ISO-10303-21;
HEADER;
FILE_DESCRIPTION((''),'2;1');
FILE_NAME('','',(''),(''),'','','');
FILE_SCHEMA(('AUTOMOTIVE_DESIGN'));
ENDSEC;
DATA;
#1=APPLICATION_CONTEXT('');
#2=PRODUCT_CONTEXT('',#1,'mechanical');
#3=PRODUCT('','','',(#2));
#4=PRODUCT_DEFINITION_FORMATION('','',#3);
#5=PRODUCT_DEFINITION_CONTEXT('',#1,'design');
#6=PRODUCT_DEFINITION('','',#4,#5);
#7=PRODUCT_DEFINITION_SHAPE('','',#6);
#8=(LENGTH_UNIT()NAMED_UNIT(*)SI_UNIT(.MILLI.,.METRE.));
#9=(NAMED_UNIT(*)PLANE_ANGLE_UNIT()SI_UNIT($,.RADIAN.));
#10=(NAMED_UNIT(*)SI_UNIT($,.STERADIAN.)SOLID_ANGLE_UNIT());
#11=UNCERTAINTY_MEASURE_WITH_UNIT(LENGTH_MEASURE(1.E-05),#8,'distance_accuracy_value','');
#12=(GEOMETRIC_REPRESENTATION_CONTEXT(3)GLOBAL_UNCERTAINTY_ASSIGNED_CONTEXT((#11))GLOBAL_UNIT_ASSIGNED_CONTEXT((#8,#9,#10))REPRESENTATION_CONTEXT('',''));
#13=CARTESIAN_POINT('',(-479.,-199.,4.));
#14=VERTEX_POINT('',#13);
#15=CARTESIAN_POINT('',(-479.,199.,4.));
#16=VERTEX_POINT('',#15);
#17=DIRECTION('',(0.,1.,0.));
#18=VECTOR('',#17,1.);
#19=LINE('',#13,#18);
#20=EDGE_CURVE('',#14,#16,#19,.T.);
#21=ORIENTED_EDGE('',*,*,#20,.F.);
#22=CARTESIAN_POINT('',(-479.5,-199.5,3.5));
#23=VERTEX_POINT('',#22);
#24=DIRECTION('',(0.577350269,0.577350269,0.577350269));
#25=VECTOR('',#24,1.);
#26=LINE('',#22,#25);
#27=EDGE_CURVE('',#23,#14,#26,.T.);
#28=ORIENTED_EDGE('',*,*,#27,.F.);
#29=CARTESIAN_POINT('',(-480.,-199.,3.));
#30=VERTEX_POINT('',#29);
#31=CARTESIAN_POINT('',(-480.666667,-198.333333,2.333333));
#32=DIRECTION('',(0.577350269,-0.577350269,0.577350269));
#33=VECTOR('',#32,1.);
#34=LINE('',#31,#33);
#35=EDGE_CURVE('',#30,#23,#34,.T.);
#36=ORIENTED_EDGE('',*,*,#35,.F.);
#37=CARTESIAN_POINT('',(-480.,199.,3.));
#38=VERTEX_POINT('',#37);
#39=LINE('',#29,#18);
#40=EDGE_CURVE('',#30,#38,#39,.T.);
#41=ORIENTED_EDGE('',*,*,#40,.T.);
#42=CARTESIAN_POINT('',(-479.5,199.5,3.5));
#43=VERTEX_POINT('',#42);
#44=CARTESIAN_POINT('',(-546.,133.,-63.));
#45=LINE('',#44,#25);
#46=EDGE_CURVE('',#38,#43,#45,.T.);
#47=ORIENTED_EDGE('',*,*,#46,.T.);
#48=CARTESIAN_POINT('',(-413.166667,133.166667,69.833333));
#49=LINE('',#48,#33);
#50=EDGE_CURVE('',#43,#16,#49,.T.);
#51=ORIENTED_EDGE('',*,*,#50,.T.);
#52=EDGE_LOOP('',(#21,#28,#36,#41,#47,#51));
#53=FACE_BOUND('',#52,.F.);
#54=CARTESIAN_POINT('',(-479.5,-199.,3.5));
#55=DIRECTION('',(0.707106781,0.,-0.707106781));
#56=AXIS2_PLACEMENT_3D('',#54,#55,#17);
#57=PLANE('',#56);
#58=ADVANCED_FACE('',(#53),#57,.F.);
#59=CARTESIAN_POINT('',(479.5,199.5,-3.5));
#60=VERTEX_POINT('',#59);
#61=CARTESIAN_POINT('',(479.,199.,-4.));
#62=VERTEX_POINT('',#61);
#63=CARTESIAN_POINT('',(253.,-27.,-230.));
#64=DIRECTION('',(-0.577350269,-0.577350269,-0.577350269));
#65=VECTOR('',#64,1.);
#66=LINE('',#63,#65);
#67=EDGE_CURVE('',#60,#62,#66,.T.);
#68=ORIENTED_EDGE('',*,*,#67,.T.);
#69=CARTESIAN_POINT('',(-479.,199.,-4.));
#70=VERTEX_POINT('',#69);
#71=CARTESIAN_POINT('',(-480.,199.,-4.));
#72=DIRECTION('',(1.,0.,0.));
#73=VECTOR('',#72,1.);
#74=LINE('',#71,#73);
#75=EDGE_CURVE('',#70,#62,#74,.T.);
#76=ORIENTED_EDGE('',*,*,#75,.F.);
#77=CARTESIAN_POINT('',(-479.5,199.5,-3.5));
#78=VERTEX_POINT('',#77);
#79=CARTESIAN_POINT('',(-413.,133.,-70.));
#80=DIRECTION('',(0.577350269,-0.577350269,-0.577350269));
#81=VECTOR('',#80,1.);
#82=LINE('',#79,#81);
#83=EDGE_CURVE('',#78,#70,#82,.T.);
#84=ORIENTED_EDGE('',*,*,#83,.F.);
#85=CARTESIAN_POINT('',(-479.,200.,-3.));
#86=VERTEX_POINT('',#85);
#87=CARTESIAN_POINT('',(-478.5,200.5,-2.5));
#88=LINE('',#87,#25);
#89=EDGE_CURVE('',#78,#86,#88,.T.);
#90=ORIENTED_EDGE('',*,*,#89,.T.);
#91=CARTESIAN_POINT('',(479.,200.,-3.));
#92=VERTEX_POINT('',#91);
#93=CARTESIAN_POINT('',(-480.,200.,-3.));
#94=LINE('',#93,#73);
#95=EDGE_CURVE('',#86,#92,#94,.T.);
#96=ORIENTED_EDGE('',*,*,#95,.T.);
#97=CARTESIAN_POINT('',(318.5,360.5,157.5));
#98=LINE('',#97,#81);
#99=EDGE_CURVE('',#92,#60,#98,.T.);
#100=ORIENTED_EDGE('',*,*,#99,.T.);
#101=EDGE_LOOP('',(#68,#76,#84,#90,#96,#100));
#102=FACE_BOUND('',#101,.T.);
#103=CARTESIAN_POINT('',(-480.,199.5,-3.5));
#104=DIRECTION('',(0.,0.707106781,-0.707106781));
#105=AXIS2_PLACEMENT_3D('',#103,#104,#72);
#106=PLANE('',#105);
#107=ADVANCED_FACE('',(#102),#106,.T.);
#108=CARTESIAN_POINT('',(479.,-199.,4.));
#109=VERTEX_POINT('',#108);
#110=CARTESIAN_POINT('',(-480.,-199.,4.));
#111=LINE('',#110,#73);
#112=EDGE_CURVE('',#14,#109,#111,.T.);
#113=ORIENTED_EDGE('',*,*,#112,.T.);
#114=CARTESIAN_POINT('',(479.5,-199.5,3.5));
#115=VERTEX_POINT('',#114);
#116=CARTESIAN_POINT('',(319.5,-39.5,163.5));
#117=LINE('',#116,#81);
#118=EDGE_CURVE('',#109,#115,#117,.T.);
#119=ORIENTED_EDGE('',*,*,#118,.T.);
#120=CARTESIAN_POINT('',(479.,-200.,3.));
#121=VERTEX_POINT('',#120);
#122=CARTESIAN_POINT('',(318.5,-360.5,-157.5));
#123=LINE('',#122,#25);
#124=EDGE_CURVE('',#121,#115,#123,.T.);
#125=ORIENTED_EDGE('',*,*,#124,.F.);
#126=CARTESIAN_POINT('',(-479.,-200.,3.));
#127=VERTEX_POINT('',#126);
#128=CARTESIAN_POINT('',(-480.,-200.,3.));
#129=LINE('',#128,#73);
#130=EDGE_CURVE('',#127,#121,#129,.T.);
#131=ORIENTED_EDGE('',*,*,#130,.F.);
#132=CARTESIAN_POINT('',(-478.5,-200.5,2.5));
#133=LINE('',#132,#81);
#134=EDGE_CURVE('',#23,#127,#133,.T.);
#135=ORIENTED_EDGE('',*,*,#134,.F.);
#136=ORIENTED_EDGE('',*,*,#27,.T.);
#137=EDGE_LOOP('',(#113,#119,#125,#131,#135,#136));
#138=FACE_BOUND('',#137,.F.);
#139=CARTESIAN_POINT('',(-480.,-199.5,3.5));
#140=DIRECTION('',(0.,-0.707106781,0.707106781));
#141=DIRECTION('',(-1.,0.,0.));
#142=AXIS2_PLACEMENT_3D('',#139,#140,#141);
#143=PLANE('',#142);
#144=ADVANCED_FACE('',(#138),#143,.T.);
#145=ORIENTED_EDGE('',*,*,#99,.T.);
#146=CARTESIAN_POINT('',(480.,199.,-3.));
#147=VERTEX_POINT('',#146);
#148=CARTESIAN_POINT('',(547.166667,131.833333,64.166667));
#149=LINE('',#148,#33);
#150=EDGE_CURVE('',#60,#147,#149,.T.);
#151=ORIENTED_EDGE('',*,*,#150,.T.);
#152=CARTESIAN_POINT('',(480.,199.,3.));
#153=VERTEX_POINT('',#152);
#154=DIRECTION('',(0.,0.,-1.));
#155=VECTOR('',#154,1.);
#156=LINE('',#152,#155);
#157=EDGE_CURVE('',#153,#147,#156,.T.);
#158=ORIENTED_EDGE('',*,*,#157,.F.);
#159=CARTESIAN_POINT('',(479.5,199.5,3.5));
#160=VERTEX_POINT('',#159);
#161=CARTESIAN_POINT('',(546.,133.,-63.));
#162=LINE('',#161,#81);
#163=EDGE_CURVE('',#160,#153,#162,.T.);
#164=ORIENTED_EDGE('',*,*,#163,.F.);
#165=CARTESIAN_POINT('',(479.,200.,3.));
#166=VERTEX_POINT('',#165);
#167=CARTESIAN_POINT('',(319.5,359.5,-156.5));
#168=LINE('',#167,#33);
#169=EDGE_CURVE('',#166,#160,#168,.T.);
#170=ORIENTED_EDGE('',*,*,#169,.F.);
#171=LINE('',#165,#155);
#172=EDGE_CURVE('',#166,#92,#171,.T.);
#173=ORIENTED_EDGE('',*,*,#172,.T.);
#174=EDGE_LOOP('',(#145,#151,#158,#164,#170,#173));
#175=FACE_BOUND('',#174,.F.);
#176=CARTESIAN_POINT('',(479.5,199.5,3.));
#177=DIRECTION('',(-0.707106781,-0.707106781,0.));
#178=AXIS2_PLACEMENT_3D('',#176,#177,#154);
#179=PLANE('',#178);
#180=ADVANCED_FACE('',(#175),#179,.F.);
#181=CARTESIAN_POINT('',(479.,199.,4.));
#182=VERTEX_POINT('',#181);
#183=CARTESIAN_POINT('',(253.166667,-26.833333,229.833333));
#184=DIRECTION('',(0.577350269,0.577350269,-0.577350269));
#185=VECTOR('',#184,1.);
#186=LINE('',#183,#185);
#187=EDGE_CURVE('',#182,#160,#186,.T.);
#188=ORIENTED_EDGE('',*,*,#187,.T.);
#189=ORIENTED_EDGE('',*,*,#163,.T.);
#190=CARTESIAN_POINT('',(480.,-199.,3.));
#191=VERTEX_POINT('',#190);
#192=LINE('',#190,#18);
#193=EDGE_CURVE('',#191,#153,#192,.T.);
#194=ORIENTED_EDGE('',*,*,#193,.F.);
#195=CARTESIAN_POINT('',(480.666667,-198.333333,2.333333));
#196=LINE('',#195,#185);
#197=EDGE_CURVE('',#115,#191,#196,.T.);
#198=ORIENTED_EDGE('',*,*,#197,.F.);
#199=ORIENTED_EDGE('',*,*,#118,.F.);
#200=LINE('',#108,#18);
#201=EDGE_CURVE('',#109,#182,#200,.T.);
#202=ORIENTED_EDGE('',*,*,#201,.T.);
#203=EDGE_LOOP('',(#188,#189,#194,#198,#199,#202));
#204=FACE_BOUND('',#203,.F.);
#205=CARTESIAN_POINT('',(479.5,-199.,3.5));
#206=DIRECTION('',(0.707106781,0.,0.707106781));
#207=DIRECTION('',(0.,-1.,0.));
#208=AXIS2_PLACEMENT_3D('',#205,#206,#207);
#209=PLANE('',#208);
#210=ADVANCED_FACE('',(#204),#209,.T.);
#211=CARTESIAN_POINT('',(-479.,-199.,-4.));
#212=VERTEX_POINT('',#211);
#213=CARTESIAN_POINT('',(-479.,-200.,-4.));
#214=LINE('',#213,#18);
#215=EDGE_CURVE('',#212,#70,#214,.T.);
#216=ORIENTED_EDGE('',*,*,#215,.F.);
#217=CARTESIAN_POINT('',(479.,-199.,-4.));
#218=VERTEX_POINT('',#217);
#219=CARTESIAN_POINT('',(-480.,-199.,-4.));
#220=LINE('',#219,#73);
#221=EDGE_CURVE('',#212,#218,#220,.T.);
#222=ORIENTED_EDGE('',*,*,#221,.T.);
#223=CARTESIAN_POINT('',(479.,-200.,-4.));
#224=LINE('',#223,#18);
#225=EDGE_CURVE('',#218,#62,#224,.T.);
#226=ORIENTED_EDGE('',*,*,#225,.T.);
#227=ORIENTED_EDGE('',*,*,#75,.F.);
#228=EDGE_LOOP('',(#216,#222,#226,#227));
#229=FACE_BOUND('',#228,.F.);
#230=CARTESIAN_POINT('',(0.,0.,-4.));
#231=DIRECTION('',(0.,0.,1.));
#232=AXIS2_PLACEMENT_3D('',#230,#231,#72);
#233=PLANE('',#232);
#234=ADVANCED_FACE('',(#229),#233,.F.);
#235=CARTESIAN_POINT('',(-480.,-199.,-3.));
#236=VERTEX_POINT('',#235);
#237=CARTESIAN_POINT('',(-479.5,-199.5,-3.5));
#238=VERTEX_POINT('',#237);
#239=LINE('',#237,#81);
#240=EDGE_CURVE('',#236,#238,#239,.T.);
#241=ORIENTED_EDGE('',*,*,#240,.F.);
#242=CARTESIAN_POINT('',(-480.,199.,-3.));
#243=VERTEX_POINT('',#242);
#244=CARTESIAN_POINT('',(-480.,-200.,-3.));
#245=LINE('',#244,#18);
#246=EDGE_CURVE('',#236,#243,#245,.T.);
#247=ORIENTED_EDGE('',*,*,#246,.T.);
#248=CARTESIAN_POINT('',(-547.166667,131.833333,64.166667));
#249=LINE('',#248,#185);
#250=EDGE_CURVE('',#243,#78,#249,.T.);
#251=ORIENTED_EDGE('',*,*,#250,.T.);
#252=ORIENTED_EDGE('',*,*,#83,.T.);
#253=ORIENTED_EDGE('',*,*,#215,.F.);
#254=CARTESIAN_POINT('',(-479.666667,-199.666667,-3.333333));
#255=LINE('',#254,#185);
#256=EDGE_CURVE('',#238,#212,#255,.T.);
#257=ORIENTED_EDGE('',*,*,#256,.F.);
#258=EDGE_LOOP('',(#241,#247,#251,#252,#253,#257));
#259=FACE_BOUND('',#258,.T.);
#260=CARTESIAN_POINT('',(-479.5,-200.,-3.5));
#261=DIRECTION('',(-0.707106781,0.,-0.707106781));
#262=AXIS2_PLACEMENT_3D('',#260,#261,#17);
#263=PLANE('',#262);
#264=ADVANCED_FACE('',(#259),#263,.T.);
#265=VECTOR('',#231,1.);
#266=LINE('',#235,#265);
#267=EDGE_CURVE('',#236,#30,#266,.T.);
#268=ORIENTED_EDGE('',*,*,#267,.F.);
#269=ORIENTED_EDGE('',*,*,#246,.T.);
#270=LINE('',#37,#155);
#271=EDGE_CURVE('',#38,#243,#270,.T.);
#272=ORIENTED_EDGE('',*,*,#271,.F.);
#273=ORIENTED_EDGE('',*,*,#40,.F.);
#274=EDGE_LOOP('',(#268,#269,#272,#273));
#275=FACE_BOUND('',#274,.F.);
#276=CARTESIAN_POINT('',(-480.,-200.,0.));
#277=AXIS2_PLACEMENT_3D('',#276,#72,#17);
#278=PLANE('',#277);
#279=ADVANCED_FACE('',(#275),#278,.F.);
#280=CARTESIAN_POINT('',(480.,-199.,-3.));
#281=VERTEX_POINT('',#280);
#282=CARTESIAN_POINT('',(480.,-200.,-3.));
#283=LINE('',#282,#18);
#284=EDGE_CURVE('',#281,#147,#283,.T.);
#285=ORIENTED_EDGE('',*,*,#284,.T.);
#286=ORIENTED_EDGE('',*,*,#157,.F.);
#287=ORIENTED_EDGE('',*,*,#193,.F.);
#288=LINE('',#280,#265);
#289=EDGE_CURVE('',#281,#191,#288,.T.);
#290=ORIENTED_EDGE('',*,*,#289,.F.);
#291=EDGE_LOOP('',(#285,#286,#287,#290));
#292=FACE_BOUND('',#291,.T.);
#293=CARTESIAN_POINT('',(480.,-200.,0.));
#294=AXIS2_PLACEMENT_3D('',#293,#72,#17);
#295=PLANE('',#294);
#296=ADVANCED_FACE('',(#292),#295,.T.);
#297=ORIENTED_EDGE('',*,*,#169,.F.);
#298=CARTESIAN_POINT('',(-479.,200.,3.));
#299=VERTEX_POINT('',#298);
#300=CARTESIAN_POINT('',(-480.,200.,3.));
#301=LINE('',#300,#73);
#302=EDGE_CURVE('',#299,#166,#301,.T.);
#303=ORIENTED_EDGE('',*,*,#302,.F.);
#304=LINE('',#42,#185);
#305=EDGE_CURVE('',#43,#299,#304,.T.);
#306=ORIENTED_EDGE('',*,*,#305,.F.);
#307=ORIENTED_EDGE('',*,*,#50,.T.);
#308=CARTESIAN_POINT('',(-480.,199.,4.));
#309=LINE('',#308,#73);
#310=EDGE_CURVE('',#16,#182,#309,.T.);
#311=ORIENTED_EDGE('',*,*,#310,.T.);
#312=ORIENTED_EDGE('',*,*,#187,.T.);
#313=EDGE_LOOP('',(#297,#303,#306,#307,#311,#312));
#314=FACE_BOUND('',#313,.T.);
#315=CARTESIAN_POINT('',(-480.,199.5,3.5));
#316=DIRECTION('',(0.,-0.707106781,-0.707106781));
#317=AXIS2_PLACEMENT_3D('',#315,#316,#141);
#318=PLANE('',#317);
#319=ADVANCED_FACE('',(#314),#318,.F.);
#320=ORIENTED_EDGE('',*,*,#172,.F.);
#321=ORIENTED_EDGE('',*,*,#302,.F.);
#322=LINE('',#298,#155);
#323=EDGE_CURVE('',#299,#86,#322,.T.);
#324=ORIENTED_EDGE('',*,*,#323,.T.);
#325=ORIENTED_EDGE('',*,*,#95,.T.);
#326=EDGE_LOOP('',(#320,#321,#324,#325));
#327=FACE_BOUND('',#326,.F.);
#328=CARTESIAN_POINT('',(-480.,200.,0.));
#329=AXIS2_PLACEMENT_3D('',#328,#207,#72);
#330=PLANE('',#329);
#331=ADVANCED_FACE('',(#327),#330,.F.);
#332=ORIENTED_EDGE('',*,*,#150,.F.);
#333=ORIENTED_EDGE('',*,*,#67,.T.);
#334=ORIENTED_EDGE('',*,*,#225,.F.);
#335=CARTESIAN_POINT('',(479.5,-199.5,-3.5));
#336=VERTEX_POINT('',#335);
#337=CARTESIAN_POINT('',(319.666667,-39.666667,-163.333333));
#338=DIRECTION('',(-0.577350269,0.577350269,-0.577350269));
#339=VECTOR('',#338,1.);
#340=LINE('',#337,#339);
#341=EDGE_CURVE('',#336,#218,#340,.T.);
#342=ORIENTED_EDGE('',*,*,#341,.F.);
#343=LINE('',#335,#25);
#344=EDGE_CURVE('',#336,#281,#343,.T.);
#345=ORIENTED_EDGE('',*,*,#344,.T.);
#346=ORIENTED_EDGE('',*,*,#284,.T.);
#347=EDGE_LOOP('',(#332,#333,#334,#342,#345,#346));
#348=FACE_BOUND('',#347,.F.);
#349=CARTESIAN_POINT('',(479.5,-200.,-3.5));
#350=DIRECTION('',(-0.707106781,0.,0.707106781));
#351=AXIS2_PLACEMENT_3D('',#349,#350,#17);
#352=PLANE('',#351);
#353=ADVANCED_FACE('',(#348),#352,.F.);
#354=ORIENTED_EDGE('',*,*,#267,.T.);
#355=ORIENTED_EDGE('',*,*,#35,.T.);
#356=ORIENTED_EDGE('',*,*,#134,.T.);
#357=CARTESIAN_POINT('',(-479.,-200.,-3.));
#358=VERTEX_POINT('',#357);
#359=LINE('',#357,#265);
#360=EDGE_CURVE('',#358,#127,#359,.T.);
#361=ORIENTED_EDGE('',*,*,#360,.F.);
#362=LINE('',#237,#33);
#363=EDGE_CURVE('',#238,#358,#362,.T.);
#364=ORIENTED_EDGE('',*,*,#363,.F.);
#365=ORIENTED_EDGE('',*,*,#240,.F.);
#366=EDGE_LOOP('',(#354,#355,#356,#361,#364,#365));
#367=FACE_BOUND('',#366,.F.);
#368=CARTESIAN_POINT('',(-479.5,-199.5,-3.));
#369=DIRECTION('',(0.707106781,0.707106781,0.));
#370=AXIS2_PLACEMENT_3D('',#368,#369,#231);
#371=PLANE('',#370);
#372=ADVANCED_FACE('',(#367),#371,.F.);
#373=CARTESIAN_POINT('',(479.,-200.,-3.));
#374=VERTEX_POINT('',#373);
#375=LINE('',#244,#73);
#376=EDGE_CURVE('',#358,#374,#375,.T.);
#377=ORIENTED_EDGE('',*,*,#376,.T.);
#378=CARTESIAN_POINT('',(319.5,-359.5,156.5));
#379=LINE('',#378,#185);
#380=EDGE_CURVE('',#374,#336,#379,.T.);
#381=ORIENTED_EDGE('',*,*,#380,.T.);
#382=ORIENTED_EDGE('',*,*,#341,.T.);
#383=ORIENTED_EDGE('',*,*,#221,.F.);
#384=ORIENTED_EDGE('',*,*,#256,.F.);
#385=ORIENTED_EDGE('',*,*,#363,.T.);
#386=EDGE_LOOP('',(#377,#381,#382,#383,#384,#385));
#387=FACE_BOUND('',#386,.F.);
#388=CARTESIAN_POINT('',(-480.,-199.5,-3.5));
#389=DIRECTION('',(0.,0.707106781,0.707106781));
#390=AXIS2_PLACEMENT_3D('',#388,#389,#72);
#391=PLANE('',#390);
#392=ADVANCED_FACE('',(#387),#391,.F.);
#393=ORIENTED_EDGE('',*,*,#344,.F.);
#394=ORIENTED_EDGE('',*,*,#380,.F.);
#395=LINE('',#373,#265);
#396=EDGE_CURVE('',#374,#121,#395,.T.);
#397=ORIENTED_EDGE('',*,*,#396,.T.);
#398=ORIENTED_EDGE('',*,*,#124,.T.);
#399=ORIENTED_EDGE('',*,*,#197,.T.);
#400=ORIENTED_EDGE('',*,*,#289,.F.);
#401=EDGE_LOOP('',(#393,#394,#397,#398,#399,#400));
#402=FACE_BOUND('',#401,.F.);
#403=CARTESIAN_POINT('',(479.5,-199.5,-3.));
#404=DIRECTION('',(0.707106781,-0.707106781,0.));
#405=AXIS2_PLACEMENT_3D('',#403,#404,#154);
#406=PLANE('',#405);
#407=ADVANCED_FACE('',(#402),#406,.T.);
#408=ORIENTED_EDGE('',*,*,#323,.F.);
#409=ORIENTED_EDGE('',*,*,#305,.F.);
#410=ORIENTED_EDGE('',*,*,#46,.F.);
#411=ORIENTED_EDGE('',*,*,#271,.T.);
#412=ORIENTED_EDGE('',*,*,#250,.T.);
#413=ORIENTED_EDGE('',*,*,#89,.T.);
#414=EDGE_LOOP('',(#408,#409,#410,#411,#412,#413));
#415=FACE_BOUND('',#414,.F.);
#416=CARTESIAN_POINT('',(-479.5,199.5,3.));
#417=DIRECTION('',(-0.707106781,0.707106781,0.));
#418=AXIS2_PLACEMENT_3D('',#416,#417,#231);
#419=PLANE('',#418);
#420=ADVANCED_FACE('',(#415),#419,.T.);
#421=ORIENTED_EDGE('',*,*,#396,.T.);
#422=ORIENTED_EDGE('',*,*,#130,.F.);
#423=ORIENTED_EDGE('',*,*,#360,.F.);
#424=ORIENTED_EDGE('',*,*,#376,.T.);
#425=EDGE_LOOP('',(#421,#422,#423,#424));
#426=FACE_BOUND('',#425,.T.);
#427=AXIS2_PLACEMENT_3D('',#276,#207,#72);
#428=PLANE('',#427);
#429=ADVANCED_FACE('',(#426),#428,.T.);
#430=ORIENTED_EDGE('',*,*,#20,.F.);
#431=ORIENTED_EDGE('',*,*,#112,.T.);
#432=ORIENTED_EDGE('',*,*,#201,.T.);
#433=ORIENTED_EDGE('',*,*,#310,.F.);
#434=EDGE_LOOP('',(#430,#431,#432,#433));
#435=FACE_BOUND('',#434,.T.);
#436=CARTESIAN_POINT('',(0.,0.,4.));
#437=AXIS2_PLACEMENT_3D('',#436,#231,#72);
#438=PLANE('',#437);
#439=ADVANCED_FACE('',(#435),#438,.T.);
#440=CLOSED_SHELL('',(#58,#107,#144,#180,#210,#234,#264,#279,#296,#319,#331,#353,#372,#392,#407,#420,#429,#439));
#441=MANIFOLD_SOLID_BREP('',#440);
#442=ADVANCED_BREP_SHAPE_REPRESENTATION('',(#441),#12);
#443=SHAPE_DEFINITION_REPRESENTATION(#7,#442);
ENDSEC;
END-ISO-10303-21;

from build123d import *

# Parameters (mm, degrees)
F0_W     = 960
F0_H     = 400
F1_DEPTH = 4
F2_SIZE  = 1
F3_SIZE  = 1
F4_SIZE  = 1
F5_SIZE  = 1
F6_SIZE  = 1
F7_SIZE  = 1


with BuildPart() as f1:
    # F0 (on Top) → F1 (new body, symmetric)
    with BuildSketch(Plane.XY):
        Rectangle(F0_W, F0_H)
    extrude(amount=F1_DEPTH, both=True)

    # F2
    f2_edges = [f1.edges().sort_by_distance(p)[0] for p in [
        (0, -200, 4),
    ]]
    chamfer(f2_edges, length=F2_SIZE)

    # F3
    f3_edges = [f1.edges().sort_by_distance(p)[0] for p in [
        (480, 0.5, 4),
    ]]
    chamfer(f3_edges, length=F3_SIZE)

    # F4
    f4_edges = [f1.edges().sort_by_distance(p)[0] for p in [
        (-0.5, 200, 4),
    ]]
    chamfer(f4_edges, length=F4_SIZE)

    # F5
    f5_edges = [f1.edges().sort_by_distance(p)[0] for p in [
        (0, -200, -4),
        (-480, 0, -4),
        (0, 200, -4),
        (480, 0, -4),
    ]]
    chamfer(f5_edges, length=F5_SIZE)

    # F6
    f6_edges = [f1.edges().sort_by_distance(p)[0] for p in [
        (-480, 0, 4),
    ]]
    chamfer(f6_edges, length=F6_SIZE)

    # F7
    f7_edges = [f1.edges().sort_by_distance(p)[0] for p in [
        (480, 200, 0),
        (-480, -200, 0),
        (480, -200, 0),
        (-480, 200, 0),
    ]]
    chamfer(f7_edges, length=F7_SIZE)


solid = f1.part
